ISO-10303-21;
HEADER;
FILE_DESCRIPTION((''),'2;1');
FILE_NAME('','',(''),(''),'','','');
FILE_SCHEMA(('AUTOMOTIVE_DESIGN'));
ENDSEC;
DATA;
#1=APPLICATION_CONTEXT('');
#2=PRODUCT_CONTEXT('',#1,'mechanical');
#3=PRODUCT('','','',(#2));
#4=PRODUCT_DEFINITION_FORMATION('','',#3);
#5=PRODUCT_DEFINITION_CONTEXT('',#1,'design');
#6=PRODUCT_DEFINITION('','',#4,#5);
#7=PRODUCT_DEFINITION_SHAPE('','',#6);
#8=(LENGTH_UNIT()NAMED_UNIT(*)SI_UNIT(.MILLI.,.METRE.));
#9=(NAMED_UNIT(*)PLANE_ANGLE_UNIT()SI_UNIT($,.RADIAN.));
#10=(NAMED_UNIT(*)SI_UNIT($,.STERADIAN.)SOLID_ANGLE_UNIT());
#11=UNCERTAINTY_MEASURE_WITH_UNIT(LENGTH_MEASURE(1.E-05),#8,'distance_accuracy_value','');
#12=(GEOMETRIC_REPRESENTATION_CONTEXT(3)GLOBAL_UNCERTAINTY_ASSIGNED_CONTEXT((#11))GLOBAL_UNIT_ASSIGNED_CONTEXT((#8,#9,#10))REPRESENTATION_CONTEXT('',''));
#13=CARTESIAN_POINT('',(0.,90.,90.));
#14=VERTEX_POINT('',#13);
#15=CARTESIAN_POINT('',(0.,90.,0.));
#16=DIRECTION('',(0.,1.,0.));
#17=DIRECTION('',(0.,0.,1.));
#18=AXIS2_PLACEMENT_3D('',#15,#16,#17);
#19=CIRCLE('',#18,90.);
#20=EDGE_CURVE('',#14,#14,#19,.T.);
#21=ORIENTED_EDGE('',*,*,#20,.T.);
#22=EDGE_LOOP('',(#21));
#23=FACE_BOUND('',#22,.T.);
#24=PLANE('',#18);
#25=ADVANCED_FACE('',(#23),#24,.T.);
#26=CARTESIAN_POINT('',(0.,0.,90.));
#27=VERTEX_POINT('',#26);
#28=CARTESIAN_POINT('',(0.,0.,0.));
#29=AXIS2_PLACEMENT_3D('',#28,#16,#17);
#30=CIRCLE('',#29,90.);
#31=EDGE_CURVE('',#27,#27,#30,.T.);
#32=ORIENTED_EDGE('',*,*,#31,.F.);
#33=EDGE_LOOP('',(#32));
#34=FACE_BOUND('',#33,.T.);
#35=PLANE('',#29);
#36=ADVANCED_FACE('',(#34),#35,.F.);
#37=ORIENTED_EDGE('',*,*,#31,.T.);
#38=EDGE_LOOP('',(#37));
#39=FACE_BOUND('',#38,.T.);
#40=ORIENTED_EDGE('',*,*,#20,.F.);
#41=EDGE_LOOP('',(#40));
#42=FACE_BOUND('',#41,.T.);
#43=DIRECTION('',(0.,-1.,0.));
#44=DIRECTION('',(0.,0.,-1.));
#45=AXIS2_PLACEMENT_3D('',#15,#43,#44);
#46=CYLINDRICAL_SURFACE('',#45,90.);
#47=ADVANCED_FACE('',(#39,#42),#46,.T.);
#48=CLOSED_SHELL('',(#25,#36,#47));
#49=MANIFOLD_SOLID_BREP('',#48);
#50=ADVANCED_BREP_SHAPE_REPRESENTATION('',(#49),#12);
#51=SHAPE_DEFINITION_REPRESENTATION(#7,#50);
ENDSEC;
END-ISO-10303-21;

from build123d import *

# Parameters (mm, degrees)
SKETCH1_R           = 90
BOSS_EXTRUDE1_DEPTH = 90


with BuildPart() as part:
    # Sketch1 → Boss-Extrude1 (new body)
    with BuildSketch(Plane(origin=(0, 0, 0), x_dir=(1, 0, 0), z_dir=(0, 1, 0))):
        Circle(SKETCH1_R)
    extrude(amount=BOSS_EXTRUDE1_DEPTH)


solid = part.part
